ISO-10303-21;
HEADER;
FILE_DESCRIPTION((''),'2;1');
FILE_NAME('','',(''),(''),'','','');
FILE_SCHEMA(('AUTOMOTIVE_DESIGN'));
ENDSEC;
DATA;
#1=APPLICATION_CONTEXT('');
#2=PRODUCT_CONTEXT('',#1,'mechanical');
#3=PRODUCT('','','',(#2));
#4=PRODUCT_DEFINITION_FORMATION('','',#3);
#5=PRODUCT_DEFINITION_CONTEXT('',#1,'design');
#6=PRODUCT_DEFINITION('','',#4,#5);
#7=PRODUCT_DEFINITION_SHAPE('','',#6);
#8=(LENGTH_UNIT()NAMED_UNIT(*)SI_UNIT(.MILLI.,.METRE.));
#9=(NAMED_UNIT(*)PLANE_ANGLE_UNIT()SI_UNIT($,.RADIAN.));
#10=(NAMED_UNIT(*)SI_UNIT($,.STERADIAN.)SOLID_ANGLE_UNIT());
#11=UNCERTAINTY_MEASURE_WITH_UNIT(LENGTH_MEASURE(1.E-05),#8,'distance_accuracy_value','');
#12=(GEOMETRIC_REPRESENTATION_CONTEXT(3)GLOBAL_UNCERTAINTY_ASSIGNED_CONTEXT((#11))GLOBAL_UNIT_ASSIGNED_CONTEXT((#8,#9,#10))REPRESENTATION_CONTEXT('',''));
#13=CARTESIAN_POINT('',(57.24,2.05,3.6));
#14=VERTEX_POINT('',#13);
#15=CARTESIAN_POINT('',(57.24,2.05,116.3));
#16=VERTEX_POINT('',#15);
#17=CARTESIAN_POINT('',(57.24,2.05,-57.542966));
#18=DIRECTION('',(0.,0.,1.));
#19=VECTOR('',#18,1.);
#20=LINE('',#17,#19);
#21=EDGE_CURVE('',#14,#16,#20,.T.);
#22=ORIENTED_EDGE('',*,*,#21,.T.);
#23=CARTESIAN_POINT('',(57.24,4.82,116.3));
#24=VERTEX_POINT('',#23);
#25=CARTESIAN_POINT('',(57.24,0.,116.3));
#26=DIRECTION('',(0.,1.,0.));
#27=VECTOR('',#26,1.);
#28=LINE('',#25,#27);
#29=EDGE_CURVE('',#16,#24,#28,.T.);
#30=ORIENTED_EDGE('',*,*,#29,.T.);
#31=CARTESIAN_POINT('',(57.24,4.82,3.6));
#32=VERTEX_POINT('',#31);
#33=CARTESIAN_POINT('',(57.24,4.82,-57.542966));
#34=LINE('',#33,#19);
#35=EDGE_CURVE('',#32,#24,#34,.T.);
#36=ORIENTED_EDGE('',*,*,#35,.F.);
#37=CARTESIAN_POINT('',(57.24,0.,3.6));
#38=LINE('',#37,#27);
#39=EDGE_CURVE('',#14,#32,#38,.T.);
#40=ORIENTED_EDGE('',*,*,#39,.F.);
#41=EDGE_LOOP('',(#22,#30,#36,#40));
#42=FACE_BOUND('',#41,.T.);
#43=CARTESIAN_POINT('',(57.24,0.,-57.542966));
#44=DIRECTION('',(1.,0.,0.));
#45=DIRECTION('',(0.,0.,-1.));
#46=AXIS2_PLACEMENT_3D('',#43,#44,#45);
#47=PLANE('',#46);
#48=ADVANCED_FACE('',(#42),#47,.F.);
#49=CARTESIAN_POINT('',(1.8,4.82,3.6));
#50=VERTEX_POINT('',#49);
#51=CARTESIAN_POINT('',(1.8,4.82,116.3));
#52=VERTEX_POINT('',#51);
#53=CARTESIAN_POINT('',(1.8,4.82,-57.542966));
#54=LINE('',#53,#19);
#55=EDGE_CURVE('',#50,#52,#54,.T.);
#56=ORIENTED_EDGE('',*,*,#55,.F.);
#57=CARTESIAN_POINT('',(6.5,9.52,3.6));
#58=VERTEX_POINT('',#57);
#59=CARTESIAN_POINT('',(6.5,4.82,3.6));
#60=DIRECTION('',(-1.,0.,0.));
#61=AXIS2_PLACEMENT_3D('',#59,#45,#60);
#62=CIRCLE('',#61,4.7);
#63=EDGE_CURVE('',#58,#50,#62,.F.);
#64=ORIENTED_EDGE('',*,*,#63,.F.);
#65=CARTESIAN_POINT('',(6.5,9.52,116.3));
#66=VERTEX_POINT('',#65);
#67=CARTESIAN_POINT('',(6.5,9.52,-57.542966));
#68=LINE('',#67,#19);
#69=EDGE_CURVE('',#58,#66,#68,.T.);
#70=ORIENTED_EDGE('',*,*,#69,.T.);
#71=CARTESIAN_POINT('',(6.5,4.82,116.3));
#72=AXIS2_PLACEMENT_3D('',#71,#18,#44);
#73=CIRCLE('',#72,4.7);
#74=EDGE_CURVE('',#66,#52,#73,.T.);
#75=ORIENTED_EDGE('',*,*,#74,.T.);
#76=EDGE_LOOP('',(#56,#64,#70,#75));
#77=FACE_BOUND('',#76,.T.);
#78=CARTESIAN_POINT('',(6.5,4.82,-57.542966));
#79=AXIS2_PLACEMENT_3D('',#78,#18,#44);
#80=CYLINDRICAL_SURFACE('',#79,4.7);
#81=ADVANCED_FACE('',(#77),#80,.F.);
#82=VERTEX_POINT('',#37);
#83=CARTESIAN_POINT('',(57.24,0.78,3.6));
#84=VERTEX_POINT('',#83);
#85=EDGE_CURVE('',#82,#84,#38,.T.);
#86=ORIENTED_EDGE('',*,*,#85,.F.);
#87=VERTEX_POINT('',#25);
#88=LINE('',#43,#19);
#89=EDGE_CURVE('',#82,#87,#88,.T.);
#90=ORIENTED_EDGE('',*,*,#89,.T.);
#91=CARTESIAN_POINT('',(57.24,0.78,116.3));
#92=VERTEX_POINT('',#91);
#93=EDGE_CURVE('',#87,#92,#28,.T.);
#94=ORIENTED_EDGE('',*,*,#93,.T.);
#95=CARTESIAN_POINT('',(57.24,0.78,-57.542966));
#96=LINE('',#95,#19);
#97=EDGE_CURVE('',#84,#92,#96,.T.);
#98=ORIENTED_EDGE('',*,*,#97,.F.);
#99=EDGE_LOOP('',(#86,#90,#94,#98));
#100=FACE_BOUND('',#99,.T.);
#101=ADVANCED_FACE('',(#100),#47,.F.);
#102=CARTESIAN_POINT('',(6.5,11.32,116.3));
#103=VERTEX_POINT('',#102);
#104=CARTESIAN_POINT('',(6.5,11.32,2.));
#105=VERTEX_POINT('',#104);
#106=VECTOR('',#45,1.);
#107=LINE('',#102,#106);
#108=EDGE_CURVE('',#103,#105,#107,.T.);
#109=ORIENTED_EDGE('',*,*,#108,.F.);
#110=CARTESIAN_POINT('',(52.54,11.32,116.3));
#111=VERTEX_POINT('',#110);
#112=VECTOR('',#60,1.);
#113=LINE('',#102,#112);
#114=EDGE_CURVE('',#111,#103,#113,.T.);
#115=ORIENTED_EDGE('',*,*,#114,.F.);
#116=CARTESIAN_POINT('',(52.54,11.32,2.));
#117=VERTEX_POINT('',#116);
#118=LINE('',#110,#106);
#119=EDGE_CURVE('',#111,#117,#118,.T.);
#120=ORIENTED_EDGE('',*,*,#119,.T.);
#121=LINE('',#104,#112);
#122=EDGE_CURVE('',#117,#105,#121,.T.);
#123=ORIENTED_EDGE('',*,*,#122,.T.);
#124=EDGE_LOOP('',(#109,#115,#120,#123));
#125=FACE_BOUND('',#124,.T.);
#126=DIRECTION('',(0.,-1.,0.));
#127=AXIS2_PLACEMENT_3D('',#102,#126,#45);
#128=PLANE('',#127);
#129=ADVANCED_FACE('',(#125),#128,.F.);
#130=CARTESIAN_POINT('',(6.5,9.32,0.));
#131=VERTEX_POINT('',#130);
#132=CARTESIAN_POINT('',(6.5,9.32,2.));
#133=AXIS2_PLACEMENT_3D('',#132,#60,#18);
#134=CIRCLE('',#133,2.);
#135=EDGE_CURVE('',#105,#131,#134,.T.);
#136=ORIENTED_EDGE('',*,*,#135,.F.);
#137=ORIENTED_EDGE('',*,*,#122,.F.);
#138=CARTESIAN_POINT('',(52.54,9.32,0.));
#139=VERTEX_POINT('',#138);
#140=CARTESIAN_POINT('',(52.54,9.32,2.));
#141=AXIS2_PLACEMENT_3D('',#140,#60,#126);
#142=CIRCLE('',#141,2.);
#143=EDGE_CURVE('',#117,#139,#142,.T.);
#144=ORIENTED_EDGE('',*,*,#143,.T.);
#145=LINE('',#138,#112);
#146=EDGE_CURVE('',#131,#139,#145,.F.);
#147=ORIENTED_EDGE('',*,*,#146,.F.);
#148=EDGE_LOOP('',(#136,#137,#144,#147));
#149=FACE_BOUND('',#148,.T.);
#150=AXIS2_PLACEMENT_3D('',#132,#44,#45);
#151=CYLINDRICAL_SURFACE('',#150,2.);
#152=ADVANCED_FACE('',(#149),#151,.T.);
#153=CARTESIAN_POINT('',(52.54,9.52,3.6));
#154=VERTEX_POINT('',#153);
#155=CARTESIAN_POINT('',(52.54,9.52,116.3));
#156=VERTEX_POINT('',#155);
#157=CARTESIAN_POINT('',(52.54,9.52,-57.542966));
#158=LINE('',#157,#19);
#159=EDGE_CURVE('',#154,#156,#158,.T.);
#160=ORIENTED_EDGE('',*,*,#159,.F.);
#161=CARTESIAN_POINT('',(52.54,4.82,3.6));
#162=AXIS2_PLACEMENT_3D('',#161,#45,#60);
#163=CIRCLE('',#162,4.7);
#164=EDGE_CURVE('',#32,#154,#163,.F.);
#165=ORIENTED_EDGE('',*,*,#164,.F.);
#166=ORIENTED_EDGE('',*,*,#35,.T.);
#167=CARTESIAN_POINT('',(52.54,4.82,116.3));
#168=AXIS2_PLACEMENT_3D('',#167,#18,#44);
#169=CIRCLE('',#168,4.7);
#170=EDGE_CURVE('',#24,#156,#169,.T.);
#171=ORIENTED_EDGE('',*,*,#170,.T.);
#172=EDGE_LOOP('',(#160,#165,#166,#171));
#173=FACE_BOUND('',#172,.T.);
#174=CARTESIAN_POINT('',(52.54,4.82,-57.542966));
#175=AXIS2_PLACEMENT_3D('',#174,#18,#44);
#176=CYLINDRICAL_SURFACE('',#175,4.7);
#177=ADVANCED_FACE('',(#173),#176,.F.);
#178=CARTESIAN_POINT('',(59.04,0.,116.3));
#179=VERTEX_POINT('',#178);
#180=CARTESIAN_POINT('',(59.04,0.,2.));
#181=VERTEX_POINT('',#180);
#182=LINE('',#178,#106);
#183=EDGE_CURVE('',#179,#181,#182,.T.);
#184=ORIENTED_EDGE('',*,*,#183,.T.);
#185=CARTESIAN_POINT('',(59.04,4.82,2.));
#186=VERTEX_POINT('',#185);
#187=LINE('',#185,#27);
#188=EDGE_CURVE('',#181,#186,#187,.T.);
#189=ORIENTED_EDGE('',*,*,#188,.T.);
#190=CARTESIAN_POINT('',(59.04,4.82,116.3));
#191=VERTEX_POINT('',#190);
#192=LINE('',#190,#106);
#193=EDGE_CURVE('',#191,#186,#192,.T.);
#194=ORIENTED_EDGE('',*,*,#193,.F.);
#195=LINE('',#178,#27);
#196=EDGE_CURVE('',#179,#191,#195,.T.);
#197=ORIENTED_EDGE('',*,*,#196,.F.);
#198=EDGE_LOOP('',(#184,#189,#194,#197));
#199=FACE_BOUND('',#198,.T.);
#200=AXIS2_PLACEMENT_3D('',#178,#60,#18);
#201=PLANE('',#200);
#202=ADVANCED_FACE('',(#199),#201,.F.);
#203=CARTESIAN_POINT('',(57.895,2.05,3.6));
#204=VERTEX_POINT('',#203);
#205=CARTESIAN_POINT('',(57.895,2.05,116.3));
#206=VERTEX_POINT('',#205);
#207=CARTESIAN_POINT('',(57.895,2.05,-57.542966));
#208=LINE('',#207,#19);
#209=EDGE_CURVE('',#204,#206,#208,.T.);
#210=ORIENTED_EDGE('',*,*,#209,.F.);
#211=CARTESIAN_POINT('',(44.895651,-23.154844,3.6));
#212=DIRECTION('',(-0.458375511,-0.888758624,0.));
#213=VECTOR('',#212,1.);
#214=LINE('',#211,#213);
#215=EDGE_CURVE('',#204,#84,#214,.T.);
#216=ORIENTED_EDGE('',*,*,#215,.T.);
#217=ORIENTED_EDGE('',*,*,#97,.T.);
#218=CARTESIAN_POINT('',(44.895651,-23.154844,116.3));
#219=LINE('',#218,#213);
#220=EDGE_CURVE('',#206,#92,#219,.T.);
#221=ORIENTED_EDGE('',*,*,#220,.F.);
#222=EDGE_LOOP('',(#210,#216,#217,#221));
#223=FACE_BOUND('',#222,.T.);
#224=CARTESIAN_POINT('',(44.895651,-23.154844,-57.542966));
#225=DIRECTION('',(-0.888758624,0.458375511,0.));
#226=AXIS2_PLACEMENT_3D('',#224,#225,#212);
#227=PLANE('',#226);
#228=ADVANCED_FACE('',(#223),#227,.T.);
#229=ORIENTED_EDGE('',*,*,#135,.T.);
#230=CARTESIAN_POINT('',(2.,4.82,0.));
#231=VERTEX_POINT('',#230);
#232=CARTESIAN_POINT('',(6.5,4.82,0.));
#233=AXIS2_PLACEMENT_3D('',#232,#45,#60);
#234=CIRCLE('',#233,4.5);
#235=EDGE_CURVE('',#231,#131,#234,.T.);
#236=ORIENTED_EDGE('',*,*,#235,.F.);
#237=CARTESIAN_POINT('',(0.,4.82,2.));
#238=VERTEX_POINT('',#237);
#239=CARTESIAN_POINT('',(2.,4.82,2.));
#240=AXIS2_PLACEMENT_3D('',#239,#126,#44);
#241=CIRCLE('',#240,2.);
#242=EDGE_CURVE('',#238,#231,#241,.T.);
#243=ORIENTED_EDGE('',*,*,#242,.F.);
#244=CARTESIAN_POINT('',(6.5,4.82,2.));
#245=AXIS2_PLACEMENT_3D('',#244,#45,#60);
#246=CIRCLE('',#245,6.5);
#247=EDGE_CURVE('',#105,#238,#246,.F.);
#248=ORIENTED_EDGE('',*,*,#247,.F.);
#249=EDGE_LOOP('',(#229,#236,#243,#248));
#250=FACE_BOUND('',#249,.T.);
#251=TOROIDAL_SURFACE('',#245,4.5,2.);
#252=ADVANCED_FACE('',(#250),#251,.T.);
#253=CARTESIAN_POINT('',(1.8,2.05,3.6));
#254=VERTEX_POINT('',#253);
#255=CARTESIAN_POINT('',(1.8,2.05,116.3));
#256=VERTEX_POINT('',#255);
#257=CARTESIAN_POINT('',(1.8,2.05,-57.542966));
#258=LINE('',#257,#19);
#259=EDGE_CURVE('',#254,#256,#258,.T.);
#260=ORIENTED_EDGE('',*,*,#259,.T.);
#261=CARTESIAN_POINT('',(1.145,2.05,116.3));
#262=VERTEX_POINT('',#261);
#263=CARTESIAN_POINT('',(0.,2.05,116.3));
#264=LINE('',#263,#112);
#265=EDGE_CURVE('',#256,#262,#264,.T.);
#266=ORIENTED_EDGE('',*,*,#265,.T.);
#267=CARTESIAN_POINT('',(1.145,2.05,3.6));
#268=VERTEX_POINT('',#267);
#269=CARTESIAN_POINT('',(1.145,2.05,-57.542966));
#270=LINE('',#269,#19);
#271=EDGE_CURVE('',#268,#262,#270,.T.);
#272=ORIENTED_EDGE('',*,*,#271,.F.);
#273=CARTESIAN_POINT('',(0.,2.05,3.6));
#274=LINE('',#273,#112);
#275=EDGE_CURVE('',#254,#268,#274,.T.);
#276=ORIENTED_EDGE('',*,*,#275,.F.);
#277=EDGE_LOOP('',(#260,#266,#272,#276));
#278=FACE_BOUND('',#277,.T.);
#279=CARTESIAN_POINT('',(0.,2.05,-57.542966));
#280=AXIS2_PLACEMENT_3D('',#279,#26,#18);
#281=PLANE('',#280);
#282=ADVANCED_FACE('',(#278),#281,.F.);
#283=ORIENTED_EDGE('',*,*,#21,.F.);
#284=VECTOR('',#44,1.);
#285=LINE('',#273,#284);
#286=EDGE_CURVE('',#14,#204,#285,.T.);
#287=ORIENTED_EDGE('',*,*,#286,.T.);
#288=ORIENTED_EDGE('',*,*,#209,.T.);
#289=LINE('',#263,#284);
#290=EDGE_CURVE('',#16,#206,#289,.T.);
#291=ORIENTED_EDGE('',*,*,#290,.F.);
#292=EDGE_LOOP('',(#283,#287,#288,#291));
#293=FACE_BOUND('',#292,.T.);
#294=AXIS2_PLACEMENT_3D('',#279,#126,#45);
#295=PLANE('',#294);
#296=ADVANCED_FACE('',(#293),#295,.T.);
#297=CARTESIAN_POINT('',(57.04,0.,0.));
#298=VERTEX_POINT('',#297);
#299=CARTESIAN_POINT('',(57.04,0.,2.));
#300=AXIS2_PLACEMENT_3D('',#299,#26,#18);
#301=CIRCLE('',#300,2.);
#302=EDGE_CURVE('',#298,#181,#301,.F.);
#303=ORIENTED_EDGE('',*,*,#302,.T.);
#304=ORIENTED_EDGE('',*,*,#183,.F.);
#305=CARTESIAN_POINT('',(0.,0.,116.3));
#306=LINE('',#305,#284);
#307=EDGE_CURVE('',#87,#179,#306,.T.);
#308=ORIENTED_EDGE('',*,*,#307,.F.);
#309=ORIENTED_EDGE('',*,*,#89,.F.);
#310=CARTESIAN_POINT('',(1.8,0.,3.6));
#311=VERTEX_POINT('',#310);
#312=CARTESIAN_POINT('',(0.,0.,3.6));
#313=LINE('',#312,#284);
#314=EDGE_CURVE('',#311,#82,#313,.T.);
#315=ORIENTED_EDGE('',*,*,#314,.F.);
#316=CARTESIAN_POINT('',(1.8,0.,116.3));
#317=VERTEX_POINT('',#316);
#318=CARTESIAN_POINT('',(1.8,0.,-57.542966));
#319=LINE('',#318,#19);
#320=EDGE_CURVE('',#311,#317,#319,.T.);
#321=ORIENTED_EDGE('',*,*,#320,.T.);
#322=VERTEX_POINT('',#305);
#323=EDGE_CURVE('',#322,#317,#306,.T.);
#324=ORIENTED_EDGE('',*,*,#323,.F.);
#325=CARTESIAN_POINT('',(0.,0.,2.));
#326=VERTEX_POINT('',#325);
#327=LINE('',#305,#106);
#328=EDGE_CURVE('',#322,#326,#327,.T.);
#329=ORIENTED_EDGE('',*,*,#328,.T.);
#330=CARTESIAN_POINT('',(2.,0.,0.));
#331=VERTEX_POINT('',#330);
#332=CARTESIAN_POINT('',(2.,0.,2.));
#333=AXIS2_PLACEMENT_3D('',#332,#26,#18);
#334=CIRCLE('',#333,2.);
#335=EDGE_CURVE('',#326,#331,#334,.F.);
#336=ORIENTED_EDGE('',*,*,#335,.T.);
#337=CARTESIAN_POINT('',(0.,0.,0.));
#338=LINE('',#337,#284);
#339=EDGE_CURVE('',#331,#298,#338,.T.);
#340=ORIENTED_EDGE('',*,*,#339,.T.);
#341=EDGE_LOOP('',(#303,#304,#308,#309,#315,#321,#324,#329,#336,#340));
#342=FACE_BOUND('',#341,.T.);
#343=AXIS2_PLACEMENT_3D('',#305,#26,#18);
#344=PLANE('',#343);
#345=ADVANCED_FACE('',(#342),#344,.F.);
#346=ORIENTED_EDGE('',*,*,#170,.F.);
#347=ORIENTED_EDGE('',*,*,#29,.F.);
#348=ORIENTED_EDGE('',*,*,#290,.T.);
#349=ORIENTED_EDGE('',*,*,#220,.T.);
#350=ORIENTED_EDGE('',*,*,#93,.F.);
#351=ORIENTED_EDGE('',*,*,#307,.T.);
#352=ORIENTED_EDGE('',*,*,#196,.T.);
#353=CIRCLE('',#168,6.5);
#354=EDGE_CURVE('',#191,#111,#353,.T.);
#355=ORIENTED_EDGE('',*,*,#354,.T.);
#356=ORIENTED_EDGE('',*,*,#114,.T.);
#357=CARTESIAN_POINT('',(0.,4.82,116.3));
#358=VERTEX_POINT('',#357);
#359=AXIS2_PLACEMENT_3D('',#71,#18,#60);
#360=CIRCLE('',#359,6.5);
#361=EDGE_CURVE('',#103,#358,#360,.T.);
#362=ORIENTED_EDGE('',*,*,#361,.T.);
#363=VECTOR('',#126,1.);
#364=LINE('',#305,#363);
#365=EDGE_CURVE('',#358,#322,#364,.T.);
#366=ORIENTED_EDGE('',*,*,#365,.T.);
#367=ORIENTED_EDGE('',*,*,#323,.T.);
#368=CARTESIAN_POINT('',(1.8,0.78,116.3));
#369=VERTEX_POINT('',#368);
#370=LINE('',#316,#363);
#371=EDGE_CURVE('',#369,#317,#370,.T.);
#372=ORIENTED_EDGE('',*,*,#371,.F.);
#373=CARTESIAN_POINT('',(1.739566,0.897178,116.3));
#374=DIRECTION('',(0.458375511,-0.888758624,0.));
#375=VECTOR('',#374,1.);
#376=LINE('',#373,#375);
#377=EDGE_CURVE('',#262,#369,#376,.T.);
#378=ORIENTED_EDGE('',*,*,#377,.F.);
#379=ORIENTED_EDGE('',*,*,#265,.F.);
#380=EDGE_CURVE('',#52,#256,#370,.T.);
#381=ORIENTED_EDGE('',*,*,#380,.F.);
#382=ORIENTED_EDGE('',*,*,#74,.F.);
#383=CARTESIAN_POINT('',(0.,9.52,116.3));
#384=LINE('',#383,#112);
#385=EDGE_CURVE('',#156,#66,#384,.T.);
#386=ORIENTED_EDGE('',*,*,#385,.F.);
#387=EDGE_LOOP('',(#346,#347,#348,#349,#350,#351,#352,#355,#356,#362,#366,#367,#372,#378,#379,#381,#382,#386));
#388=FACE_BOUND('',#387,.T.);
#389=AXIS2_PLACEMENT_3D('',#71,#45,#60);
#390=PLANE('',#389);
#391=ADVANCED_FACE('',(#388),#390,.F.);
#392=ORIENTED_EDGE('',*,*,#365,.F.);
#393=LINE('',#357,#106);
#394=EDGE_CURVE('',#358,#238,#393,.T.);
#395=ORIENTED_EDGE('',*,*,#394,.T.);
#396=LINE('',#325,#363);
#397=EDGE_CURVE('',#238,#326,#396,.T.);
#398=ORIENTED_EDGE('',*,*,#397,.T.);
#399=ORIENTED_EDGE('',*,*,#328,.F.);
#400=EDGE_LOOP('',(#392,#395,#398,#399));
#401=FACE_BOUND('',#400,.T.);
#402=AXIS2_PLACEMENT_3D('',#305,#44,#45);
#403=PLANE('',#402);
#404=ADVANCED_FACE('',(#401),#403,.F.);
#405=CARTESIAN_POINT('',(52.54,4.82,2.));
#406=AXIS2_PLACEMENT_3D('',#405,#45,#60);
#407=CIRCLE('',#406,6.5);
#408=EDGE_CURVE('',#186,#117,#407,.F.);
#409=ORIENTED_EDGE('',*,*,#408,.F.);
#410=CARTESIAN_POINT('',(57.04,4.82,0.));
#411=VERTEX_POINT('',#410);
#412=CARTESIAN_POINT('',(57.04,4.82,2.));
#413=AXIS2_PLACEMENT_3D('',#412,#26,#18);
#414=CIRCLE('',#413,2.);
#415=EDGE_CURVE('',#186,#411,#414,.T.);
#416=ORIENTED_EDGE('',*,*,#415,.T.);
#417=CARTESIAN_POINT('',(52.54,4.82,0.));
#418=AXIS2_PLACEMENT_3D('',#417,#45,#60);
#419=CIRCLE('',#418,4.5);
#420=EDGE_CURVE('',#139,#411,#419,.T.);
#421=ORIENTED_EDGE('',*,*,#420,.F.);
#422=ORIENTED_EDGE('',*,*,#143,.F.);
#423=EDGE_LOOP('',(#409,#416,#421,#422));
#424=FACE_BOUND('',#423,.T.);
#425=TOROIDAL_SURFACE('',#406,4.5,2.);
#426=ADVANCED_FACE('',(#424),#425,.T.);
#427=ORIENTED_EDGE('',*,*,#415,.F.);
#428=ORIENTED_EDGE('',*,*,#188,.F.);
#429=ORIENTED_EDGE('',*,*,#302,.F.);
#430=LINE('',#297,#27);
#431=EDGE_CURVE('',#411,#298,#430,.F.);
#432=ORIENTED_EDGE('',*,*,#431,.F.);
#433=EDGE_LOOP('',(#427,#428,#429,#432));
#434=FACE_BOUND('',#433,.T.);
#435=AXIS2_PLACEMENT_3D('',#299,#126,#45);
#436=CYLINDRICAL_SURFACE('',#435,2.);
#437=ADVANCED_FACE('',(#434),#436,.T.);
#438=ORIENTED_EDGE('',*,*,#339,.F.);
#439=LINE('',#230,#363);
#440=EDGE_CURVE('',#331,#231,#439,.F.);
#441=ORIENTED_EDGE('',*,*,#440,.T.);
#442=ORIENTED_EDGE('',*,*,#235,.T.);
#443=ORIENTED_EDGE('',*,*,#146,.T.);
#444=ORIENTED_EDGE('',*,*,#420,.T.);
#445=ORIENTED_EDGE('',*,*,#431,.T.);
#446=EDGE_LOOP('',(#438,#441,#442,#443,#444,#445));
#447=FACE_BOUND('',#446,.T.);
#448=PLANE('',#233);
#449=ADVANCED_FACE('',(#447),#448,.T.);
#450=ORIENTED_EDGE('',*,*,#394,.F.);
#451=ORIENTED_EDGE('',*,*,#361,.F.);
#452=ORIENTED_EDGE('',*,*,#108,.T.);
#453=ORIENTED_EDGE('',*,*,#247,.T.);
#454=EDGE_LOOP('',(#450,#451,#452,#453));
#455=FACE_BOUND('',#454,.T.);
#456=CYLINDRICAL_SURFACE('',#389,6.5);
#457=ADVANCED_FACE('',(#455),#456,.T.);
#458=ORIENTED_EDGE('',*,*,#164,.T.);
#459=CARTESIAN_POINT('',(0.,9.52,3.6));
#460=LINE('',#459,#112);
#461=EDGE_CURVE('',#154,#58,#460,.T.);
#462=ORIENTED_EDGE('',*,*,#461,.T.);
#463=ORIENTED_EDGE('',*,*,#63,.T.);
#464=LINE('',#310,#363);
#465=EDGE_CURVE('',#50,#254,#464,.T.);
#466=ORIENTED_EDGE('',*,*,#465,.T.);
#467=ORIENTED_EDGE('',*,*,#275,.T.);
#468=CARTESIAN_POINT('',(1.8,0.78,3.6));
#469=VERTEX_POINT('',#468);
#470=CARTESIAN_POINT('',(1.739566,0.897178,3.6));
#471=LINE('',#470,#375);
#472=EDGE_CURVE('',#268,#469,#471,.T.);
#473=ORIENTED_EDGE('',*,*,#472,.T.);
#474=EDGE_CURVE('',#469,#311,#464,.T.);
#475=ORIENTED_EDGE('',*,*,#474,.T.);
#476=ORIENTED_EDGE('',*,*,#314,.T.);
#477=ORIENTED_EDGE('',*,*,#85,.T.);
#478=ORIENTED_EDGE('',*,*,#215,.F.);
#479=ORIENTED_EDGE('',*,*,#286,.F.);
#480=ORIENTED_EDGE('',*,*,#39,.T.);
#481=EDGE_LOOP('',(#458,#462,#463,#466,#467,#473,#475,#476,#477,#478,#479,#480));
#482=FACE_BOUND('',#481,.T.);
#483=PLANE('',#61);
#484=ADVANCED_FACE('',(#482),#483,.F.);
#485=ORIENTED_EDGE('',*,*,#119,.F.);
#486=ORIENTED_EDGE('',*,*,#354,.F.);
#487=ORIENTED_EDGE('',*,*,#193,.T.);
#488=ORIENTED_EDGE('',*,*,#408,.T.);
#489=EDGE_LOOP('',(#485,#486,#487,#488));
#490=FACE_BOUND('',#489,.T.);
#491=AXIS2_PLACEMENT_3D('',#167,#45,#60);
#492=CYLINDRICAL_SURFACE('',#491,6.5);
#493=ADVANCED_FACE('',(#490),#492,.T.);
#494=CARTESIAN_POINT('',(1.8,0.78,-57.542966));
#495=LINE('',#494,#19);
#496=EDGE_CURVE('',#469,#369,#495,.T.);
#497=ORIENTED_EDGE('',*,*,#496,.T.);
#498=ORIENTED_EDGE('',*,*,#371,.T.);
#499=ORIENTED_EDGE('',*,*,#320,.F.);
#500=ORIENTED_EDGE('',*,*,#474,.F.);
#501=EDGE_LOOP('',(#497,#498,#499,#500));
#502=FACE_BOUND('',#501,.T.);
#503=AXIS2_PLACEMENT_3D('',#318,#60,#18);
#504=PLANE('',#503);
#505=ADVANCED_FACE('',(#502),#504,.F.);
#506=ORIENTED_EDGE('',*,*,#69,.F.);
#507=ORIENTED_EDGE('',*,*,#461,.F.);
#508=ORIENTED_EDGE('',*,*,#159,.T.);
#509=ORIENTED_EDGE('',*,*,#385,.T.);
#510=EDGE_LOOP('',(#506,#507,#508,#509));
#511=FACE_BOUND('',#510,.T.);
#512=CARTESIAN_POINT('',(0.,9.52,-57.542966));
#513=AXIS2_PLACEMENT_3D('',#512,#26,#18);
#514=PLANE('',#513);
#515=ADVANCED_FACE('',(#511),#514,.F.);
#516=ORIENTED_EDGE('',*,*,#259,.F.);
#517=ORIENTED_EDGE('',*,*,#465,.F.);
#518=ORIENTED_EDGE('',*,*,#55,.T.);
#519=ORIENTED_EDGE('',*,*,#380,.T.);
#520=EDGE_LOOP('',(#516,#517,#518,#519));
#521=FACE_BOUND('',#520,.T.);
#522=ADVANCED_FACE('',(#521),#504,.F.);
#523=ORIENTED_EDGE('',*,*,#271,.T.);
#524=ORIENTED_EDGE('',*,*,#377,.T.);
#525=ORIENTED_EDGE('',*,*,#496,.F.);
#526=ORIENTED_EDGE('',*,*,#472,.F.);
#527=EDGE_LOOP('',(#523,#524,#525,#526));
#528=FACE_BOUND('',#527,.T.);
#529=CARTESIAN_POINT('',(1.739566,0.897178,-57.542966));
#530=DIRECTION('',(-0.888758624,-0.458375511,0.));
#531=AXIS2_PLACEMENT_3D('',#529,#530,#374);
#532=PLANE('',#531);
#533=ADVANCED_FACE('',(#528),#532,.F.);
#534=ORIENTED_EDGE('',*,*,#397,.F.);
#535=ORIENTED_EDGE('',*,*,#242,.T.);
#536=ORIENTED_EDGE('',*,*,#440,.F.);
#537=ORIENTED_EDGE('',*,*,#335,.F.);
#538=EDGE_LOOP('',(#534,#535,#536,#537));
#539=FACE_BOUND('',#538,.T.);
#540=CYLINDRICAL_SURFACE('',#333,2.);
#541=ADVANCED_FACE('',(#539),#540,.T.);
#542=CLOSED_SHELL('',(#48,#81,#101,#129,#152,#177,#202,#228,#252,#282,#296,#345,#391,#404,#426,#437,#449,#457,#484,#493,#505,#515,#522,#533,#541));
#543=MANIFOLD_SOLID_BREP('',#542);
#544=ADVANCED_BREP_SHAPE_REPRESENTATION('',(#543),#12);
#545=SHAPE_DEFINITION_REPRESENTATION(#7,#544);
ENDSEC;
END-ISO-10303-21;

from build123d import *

# Parameters (mm, degrees)
BOSS_EXTRUDE1_DEPTH = 116.3
CUT_EXTRUDE1_DEPTH  = 112.7
FILLET1_R           = 2


with BuildPart() as part:
    # Sketch1 → Boss-Extrude1 (new body)
    with BuildSketch(Plane.XY):
        with BuildLine():
            Line((0, 0), (59.04, 0))
            Line((59.04, 0), (59.04, 4.82))
            ThreePointArc((59.04, 4.82), (57.136194078, 9.416194078), (52.54, 11.32))
            Line((52.54, 11.32), (6.5, 11.32))
            ThreePointArc((6.5, 11.32), (1.903805922, 9.416194078), (0, 4.82))
            Line((0, 4.82), (0, 0))
        make_face()
    extrude(amount=BOSS_EXTRUDE1_DEPTH)

    # Sketch2 → Cut-Extrude1 (cut)
    with BuildSketch(Plane.XY.offset(116.3)):
        with BuildLine():
            Line((1.8, 4.82), (1.8, 2.05))
            Line((1.8, 2.05), (1.8, 0.78))
            Line((1.8, 0.78), (1.8, 0))
            Line((1.8, 0), (57.24, 0))
            Line((57.24, 0), (57.24, 0.78))
            Line((57.24, 0.78), (57.24, 2.05))
            Line((57.24, 2.05), (57.24, 4.82))
            ThreePointArc((57.24, 4.82), (55.863401872, 8.143401872), (52.54, 9.52))
            Line((52.54, 9.52), (6.5, 9.52))
            ThreePointArc((6.5, 9.52), (3.176598128, 8.143401872), (1.8, 4.82))
        make_face()
        Polygon((57.24, 2.05), (57.24, 0.78), (57.895, 2.05), align=None)
        Polygon((1.8, 0.78), (1.8, 2.05), (1.145, 2.05), align=None)
    extrude(amount=-CUT_EXTRUDE1_DEPTH, mode=Mode.SUBTRACT)

    # Fillet1
    fillet1_edges = [part.edges().sort_by_distance(p)[0] for p in [
        (1.903805922, 9.416194078, 0),
        (29.52, 11.32, 0),
        (57.136194078, 9.416194078, 0),
        (59.04, 2.41, 0),
        (0, 2.41, 0),
    ]]
    fillet(fillet1_edges, radius=FILLET1_R)


solid = part.part
